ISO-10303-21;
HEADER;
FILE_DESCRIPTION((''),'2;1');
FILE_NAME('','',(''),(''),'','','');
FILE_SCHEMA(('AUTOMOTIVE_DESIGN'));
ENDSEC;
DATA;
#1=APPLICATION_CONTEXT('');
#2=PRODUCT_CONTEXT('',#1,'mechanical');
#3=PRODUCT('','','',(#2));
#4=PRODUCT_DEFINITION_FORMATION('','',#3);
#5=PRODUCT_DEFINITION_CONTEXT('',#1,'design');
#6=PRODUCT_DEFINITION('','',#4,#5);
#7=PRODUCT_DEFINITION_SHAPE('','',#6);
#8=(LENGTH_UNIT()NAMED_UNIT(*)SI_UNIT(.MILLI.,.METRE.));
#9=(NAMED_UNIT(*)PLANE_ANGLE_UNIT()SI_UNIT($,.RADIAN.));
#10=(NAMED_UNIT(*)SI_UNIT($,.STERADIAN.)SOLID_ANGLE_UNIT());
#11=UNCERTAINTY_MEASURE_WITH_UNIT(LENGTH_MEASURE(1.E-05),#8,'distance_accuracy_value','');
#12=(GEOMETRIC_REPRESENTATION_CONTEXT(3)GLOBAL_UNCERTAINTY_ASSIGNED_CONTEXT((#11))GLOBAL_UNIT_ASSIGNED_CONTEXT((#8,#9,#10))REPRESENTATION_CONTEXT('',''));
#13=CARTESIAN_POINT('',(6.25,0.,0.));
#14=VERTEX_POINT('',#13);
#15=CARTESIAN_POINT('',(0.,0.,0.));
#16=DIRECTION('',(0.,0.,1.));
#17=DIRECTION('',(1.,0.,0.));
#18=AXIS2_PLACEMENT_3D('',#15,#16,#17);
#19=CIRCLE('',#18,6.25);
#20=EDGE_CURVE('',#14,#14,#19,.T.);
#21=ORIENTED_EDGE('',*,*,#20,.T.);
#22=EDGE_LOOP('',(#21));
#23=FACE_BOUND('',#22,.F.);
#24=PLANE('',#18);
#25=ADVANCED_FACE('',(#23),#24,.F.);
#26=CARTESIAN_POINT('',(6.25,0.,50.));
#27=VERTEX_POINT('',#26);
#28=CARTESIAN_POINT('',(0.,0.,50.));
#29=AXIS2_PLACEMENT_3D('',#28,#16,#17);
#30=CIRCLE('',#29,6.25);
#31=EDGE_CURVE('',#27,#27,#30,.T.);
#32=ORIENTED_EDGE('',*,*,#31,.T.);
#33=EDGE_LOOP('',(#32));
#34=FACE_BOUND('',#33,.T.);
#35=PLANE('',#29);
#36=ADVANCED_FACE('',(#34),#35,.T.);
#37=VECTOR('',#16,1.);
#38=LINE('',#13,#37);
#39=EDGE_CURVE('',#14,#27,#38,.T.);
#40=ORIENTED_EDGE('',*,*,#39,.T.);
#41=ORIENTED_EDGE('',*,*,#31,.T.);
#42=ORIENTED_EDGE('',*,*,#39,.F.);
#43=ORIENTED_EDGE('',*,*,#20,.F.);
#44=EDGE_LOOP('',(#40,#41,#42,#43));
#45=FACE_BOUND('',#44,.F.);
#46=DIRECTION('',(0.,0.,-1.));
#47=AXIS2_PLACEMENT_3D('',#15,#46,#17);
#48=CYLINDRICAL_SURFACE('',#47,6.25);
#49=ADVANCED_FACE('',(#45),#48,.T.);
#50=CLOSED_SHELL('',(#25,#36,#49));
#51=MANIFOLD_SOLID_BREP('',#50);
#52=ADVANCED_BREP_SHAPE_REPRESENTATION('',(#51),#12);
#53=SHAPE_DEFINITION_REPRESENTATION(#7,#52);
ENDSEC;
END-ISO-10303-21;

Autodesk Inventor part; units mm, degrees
ref_plane "YZ Plane" through (0, 0, 0) normal (1, 0, 0) x (0, 1, 0)
ref_plane "XZ Plane" through (0, 0, 0) normal (0, 1, 0) x (-1, 0, 0)
ref_plane "XY Plane" through (0, 0, 0) normal (0, 0, 1) x (1, 0, 0)
sketch "Sketch1" plane through (0, 0, 0) normal (0, 0, 1) x (1, 0, 0)
  point P0 (0, 0)
sketch "Sketch2" plane through (0, 0, 0) normal (0, 0, 1) x (1, 0, 0)
  circle A0 centre (0, 0) radius 6.25
  dimension "d1" = 12.5
extrude "Extrusion1" add sketch "Sketch2" along normal blind 50
sketch "Sketch3" plane through (0, 0, 50) normal (0, 0, 1) x (1, 0, 0)
  point P0 (0, 0)
properties part number "bear"
